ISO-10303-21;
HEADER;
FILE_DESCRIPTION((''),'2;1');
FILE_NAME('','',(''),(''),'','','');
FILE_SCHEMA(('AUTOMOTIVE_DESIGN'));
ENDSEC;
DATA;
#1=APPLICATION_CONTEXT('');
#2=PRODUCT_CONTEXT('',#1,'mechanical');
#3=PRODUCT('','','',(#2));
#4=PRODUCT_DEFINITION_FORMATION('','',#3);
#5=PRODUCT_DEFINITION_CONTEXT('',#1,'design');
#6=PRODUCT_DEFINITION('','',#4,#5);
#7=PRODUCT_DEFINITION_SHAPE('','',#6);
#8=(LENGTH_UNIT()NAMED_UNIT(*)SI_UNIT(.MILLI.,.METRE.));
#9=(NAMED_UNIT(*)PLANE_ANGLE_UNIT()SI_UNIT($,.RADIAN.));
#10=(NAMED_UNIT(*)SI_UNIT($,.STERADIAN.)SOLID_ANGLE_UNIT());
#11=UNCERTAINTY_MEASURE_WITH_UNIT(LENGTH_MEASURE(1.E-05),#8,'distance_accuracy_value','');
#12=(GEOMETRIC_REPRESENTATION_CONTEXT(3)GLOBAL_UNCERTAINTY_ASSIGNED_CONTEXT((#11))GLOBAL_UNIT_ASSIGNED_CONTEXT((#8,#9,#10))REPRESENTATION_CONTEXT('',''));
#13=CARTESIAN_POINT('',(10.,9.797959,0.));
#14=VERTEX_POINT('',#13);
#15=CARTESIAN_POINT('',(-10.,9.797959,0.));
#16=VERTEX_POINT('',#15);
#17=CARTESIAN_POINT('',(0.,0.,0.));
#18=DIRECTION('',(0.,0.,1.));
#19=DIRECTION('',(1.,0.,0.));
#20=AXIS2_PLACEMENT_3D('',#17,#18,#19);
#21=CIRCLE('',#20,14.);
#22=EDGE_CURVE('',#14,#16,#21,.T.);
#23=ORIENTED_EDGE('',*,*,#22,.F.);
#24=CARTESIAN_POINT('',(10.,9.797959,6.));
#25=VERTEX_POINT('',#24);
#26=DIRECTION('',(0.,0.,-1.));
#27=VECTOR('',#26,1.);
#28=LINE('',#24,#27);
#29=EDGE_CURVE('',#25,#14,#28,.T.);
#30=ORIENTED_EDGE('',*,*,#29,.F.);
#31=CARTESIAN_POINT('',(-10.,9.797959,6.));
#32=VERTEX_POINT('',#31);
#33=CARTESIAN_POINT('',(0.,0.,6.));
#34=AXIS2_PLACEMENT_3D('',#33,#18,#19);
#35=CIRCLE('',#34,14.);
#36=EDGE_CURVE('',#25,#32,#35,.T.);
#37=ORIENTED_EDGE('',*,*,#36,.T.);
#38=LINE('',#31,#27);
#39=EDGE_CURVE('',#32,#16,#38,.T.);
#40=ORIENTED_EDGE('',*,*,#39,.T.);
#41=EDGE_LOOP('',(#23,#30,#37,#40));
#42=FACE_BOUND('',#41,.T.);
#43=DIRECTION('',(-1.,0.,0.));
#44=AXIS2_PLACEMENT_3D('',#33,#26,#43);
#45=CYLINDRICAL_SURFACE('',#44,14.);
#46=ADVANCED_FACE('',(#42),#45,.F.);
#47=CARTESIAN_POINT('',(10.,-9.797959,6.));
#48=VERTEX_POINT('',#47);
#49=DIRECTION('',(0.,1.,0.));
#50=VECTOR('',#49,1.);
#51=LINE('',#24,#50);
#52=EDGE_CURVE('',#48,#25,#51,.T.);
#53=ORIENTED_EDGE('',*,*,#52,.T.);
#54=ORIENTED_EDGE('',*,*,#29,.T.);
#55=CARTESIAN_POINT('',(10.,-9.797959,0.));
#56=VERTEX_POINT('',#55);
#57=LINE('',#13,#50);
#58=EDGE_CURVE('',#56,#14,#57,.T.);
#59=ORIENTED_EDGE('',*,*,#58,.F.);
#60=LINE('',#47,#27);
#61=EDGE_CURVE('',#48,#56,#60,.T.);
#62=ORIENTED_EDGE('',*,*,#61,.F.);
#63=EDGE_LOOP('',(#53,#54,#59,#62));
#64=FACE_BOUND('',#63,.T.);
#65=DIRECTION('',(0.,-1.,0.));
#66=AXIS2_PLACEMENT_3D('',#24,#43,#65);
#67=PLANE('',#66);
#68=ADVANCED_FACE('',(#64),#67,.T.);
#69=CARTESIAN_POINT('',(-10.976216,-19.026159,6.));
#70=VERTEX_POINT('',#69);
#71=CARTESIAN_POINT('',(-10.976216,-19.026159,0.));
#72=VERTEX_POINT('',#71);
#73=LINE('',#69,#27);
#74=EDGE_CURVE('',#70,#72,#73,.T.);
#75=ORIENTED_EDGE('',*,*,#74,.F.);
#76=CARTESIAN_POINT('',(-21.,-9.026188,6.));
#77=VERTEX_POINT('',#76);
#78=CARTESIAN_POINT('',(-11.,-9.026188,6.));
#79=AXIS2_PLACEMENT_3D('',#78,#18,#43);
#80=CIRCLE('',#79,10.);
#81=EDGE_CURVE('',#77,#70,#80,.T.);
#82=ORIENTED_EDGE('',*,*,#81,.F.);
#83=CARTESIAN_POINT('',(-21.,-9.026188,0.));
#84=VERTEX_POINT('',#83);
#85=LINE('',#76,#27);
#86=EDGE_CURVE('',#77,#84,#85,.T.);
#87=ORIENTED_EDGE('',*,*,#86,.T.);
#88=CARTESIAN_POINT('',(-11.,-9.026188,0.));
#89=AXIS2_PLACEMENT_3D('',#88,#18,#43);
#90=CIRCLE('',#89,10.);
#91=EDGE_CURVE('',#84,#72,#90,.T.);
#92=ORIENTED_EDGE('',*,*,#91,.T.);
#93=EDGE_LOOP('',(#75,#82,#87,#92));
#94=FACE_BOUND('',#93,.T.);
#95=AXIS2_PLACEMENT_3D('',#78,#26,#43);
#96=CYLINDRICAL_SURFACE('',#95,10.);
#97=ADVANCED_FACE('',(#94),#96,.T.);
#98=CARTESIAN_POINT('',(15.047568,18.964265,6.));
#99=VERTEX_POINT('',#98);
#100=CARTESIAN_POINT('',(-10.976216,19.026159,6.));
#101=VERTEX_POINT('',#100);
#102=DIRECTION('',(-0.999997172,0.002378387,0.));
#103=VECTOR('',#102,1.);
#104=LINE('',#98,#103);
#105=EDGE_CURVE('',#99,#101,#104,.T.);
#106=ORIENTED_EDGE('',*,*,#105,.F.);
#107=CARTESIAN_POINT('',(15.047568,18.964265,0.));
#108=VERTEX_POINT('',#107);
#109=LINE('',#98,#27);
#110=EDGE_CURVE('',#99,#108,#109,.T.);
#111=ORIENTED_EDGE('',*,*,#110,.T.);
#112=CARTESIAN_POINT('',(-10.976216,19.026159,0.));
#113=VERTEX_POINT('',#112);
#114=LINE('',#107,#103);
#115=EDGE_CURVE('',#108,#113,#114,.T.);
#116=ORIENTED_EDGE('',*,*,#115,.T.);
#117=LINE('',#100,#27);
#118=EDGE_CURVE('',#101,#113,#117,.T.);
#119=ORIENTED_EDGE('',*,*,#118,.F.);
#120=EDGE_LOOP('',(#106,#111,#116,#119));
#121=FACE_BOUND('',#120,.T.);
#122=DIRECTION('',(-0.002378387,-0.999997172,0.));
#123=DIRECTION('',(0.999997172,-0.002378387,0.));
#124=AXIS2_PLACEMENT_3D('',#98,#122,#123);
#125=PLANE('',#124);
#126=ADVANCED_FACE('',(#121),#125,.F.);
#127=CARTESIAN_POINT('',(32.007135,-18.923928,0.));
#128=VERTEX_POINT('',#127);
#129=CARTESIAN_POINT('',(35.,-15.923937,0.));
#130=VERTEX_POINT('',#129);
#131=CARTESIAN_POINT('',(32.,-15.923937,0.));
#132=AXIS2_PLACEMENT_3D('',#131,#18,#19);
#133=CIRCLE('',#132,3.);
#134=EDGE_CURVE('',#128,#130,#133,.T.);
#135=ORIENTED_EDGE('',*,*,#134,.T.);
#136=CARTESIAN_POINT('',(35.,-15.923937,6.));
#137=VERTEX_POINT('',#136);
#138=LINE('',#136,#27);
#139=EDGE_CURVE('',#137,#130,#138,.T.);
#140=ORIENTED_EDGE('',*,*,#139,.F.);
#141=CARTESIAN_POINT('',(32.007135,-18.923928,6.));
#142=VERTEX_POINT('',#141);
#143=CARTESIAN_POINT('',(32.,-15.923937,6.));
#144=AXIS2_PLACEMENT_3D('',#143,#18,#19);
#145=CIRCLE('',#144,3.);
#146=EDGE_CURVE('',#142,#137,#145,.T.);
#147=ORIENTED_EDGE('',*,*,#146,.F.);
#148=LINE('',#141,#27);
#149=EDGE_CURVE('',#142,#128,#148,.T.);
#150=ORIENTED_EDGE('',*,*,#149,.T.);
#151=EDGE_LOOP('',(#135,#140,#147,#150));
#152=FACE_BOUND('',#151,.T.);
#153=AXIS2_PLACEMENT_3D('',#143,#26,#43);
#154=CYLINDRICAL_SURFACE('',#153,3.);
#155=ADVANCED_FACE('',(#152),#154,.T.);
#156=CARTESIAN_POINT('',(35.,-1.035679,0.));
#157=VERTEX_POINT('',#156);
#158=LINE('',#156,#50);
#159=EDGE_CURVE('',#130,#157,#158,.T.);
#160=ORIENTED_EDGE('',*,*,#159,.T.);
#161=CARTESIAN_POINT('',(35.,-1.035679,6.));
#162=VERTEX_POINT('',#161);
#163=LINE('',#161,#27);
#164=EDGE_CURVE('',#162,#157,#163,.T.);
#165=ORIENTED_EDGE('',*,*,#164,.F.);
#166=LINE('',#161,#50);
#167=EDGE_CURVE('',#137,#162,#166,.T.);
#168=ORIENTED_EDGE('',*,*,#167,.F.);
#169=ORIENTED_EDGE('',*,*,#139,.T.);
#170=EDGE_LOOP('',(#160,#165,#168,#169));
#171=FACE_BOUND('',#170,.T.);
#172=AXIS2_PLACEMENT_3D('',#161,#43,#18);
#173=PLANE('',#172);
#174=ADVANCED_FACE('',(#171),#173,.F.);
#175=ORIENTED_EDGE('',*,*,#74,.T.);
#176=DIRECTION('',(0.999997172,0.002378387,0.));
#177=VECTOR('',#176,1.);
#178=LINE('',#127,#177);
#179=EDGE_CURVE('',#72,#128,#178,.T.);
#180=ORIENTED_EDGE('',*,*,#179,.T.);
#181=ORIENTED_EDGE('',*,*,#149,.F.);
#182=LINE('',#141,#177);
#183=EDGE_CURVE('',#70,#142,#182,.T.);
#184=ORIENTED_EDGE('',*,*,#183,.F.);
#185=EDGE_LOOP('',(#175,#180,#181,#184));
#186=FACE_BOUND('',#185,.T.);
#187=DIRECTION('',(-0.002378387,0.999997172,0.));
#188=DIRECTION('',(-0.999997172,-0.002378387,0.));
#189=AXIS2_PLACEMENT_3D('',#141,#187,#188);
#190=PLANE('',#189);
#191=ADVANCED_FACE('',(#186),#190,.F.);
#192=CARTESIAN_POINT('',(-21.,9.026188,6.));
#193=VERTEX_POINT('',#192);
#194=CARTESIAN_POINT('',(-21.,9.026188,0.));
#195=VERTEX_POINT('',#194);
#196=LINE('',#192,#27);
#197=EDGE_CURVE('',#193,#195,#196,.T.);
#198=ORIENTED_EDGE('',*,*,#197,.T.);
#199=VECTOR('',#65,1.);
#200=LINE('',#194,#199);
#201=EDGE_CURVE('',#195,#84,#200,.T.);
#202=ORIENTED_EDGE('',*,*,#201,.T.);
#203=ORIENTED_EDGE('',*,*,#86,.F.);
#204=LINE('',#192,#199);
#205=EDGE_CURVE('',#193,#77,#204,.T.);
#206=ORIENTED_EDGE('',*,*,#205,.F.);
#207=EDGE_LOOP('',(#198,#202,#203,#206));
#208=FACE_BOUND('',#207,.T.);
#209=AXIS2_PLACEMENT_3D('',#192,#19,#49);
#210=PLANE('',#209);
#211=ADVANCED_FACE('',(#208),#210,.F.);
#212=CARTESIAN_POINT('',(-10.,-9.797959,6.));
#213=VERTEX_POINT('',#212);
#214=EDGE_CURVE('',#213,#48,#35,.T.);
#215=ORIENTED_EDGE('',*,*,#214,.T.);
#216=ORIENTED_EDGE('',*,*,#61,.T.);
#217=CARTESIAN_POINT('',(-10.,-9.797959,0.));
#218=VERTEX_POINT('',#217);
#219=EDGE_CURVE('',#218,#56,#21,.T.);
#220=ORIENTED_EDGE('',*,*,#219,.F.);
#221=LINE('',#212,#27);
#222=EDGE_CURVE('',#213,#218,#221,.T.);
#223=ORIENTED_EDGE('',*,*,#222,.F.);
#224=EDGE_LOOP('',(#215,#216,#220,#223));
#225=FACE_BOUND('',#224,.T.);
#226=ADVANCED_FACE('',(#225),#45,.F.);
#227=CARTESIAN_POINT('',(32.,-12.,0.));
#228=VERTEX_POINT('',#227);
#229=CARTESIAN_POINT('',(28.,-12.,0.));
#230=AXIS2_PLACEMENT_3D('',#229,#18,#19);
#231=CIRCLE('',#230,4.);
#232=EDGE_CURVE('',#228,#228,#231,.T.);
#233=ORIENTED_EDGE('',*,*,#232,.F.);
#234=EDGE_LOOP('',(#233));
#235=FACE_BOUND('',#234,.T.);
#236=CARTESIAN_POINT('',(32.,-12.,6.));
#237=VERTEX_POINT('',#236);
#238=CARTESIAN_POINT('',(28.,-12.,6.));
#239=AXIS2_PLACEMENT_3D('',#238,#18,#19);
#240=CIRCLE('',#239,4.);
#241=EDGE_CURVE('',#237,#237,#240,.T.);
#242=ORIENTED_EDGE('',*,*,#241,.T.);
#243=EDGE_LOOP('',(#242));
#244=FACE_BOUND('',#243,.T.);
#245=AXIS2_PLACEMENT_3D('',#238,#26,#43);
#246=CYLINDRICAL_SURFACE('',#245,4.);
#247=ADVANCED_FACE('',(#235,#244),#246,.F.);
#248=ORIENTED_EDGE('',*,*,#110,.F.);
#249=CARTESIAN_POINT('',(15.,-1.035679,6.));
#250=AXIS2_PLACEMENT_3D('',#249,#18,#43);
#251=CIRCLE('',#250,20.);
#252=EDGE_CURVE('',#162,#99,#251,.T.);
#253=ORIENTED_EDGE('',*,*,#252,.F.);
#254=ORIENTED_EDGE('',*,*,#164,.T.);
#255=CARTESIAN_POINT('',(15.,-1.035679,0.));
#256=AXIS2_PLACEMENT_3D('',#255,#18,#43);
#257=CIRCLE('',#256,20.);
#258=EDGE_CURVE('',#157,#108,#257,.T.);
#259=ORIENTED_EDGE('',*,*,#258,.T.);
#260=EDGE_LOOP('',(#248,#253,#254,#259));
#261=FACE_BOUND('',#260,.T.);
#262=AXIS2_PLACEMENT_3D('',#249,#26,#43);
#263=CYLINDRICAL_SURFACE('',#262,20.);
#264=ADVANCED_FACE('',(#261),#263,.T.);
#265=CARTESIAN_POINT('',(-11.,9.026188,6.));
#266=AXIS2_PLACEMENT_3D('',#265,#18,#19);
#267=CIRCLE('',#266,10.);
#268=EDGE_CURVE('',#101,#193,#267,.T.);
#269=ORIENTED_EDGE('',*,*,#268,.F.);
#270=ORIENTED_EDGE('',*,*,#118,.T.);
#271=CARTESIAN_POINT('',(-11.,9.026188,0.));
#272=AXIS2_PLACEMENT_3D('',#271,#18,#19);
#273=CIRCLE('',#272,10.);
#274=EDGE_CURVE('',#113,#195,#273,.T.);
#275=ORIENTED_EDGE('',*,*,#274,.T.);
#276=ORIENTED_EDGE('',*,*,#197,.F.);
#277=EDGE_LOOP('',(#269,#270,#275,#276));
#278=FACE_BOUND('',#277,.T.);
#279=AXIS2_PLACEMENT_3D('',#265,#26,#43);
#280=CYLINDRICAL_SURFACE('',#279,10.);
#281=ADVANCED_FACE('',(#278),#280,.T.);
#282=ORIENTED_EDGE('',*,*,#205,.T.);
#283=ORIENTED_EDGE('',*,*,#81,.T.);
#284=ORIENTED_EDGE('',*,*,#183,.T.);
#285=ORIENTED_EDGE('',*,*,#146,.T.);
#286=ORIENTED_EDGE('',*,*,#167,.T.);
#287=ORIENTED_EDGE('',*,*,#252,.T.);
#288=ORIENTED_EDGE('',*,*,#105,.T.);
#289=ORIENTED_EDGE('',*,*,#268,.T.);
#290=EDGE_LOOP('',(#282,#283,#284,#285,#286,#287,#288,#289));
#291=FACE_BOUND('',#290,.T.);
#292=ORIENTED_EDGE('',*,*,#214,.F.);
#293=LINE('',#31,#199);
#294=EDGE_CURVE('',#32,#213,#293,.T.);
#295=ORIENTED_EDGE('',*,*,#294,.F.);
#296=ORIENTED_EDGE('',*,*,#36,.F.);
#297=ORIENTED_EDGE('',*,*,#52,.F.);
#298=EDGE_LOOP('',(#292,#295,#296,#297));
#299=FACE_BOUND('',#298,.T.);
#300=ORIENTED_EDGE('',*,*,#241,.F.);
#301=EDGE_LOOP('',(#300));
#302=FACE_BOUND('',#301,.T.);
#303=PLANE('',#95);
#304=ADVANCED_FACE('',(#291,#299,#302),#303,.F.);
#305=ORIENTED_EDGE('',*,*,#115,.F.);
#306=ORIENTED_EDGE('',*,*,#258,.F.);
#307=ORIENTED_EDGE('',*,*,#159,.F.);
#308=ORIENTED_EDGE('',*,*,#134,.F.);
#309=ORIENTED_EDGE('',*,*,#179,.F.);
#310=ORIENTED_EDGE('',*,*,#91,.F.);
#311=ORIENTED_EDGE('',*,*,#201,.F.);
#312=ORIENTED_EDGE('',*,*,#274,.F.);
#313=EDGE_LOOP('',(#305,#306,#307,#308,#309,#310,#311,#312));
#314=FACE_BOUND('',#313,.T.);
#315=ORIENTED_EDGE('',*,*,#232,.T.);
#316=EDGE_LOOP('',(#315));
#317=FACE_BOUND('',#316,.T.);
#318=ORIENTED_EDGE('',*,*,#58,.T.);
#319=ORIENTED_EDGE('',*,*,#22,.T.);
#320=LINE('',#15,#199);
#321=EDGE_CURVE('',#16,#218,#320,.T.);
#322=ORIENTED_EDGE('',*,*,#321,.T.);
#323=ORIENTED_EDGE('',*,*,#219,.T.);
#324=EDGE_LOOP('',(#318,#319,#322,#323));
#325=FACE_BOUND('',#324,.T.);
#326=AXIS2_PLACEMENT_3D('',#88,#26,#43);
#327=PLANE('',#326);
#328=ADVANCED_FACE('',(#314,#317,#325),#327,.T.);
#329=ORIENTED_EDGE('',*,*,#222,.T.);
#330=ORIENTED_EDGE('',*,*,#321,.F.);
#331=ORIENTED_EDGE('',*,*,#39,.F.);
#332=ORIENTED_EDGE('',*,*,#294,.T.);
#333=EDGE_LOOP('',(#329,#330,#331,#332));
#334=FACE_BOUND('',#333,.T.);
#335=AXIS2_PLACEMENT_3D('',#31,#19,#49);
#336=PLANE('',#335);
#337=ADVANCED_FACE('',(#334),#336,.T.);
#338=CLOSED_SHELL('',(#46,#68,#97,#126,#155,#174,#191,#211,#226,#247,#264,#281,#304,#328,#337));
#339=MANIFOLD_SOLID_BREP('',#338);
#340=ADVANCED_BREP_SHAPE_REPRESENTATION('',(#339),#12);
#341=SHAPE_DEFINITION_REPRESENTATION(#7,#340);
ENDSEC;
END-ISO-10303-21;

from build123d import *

# Parameters (mm, degrees)
SKETCH1_R           = 4
BOSS_EXTRUDE1_DEPTH = 6


with BuildPart() as part:
    # Sketch1 → Boss-Extrude1 (new body)
    with BuildSketch(Plane.XY):
        with BuildLine():
            Line((32.00713516, -18.923928181), (-10.976216134, -19.026159499))
            ThreePointArc((-10.976216134, -19.026159499), (-18.062653939, -16.105659467), (-21, -9.026187783))
            Line((-21, -9.026187783), (-21, 9.026187783))
            ThreePointArc((-21, 9.026187783), (-18.062653939, 16.105659467), (-10.976216134, 19.026159499))
            Line((-10.976216134, 19.026159499), (15.047567733, 18.964264704))
            ThreePointArc((15.047567733, 18.964264704), (29.158943369, 13.08962915), (35, -1.035678729))
            Line((35, -1.035678729), (35, -15.923936666))
            ThreePointArc((35, -15.923936666), (34.123841505, -18.042732848), (32.00713516, -18.923928181))
        make_face()
        with Locations((28, -12)):
            Circle(SKETCH1_R, mode=Mode.SUBTRACT)
        with BuildLine():
            Line((-10, 9.797958971), (-10, -9.797958971))
            ThreePointArc((-10, -9.797958971), (0, -14), (10, -9.797958971))
            Line((10, -9.797958971), (10, 9.797958971))
            ThreePointArc((10, 9.797958971), (0, 14), (-10, 9.797958971))
        make_face(mode=Mode.SUBTRACT)
    extrude(amount=BOSS_EXTRUDE1_DEPTH)


solid = part.part
